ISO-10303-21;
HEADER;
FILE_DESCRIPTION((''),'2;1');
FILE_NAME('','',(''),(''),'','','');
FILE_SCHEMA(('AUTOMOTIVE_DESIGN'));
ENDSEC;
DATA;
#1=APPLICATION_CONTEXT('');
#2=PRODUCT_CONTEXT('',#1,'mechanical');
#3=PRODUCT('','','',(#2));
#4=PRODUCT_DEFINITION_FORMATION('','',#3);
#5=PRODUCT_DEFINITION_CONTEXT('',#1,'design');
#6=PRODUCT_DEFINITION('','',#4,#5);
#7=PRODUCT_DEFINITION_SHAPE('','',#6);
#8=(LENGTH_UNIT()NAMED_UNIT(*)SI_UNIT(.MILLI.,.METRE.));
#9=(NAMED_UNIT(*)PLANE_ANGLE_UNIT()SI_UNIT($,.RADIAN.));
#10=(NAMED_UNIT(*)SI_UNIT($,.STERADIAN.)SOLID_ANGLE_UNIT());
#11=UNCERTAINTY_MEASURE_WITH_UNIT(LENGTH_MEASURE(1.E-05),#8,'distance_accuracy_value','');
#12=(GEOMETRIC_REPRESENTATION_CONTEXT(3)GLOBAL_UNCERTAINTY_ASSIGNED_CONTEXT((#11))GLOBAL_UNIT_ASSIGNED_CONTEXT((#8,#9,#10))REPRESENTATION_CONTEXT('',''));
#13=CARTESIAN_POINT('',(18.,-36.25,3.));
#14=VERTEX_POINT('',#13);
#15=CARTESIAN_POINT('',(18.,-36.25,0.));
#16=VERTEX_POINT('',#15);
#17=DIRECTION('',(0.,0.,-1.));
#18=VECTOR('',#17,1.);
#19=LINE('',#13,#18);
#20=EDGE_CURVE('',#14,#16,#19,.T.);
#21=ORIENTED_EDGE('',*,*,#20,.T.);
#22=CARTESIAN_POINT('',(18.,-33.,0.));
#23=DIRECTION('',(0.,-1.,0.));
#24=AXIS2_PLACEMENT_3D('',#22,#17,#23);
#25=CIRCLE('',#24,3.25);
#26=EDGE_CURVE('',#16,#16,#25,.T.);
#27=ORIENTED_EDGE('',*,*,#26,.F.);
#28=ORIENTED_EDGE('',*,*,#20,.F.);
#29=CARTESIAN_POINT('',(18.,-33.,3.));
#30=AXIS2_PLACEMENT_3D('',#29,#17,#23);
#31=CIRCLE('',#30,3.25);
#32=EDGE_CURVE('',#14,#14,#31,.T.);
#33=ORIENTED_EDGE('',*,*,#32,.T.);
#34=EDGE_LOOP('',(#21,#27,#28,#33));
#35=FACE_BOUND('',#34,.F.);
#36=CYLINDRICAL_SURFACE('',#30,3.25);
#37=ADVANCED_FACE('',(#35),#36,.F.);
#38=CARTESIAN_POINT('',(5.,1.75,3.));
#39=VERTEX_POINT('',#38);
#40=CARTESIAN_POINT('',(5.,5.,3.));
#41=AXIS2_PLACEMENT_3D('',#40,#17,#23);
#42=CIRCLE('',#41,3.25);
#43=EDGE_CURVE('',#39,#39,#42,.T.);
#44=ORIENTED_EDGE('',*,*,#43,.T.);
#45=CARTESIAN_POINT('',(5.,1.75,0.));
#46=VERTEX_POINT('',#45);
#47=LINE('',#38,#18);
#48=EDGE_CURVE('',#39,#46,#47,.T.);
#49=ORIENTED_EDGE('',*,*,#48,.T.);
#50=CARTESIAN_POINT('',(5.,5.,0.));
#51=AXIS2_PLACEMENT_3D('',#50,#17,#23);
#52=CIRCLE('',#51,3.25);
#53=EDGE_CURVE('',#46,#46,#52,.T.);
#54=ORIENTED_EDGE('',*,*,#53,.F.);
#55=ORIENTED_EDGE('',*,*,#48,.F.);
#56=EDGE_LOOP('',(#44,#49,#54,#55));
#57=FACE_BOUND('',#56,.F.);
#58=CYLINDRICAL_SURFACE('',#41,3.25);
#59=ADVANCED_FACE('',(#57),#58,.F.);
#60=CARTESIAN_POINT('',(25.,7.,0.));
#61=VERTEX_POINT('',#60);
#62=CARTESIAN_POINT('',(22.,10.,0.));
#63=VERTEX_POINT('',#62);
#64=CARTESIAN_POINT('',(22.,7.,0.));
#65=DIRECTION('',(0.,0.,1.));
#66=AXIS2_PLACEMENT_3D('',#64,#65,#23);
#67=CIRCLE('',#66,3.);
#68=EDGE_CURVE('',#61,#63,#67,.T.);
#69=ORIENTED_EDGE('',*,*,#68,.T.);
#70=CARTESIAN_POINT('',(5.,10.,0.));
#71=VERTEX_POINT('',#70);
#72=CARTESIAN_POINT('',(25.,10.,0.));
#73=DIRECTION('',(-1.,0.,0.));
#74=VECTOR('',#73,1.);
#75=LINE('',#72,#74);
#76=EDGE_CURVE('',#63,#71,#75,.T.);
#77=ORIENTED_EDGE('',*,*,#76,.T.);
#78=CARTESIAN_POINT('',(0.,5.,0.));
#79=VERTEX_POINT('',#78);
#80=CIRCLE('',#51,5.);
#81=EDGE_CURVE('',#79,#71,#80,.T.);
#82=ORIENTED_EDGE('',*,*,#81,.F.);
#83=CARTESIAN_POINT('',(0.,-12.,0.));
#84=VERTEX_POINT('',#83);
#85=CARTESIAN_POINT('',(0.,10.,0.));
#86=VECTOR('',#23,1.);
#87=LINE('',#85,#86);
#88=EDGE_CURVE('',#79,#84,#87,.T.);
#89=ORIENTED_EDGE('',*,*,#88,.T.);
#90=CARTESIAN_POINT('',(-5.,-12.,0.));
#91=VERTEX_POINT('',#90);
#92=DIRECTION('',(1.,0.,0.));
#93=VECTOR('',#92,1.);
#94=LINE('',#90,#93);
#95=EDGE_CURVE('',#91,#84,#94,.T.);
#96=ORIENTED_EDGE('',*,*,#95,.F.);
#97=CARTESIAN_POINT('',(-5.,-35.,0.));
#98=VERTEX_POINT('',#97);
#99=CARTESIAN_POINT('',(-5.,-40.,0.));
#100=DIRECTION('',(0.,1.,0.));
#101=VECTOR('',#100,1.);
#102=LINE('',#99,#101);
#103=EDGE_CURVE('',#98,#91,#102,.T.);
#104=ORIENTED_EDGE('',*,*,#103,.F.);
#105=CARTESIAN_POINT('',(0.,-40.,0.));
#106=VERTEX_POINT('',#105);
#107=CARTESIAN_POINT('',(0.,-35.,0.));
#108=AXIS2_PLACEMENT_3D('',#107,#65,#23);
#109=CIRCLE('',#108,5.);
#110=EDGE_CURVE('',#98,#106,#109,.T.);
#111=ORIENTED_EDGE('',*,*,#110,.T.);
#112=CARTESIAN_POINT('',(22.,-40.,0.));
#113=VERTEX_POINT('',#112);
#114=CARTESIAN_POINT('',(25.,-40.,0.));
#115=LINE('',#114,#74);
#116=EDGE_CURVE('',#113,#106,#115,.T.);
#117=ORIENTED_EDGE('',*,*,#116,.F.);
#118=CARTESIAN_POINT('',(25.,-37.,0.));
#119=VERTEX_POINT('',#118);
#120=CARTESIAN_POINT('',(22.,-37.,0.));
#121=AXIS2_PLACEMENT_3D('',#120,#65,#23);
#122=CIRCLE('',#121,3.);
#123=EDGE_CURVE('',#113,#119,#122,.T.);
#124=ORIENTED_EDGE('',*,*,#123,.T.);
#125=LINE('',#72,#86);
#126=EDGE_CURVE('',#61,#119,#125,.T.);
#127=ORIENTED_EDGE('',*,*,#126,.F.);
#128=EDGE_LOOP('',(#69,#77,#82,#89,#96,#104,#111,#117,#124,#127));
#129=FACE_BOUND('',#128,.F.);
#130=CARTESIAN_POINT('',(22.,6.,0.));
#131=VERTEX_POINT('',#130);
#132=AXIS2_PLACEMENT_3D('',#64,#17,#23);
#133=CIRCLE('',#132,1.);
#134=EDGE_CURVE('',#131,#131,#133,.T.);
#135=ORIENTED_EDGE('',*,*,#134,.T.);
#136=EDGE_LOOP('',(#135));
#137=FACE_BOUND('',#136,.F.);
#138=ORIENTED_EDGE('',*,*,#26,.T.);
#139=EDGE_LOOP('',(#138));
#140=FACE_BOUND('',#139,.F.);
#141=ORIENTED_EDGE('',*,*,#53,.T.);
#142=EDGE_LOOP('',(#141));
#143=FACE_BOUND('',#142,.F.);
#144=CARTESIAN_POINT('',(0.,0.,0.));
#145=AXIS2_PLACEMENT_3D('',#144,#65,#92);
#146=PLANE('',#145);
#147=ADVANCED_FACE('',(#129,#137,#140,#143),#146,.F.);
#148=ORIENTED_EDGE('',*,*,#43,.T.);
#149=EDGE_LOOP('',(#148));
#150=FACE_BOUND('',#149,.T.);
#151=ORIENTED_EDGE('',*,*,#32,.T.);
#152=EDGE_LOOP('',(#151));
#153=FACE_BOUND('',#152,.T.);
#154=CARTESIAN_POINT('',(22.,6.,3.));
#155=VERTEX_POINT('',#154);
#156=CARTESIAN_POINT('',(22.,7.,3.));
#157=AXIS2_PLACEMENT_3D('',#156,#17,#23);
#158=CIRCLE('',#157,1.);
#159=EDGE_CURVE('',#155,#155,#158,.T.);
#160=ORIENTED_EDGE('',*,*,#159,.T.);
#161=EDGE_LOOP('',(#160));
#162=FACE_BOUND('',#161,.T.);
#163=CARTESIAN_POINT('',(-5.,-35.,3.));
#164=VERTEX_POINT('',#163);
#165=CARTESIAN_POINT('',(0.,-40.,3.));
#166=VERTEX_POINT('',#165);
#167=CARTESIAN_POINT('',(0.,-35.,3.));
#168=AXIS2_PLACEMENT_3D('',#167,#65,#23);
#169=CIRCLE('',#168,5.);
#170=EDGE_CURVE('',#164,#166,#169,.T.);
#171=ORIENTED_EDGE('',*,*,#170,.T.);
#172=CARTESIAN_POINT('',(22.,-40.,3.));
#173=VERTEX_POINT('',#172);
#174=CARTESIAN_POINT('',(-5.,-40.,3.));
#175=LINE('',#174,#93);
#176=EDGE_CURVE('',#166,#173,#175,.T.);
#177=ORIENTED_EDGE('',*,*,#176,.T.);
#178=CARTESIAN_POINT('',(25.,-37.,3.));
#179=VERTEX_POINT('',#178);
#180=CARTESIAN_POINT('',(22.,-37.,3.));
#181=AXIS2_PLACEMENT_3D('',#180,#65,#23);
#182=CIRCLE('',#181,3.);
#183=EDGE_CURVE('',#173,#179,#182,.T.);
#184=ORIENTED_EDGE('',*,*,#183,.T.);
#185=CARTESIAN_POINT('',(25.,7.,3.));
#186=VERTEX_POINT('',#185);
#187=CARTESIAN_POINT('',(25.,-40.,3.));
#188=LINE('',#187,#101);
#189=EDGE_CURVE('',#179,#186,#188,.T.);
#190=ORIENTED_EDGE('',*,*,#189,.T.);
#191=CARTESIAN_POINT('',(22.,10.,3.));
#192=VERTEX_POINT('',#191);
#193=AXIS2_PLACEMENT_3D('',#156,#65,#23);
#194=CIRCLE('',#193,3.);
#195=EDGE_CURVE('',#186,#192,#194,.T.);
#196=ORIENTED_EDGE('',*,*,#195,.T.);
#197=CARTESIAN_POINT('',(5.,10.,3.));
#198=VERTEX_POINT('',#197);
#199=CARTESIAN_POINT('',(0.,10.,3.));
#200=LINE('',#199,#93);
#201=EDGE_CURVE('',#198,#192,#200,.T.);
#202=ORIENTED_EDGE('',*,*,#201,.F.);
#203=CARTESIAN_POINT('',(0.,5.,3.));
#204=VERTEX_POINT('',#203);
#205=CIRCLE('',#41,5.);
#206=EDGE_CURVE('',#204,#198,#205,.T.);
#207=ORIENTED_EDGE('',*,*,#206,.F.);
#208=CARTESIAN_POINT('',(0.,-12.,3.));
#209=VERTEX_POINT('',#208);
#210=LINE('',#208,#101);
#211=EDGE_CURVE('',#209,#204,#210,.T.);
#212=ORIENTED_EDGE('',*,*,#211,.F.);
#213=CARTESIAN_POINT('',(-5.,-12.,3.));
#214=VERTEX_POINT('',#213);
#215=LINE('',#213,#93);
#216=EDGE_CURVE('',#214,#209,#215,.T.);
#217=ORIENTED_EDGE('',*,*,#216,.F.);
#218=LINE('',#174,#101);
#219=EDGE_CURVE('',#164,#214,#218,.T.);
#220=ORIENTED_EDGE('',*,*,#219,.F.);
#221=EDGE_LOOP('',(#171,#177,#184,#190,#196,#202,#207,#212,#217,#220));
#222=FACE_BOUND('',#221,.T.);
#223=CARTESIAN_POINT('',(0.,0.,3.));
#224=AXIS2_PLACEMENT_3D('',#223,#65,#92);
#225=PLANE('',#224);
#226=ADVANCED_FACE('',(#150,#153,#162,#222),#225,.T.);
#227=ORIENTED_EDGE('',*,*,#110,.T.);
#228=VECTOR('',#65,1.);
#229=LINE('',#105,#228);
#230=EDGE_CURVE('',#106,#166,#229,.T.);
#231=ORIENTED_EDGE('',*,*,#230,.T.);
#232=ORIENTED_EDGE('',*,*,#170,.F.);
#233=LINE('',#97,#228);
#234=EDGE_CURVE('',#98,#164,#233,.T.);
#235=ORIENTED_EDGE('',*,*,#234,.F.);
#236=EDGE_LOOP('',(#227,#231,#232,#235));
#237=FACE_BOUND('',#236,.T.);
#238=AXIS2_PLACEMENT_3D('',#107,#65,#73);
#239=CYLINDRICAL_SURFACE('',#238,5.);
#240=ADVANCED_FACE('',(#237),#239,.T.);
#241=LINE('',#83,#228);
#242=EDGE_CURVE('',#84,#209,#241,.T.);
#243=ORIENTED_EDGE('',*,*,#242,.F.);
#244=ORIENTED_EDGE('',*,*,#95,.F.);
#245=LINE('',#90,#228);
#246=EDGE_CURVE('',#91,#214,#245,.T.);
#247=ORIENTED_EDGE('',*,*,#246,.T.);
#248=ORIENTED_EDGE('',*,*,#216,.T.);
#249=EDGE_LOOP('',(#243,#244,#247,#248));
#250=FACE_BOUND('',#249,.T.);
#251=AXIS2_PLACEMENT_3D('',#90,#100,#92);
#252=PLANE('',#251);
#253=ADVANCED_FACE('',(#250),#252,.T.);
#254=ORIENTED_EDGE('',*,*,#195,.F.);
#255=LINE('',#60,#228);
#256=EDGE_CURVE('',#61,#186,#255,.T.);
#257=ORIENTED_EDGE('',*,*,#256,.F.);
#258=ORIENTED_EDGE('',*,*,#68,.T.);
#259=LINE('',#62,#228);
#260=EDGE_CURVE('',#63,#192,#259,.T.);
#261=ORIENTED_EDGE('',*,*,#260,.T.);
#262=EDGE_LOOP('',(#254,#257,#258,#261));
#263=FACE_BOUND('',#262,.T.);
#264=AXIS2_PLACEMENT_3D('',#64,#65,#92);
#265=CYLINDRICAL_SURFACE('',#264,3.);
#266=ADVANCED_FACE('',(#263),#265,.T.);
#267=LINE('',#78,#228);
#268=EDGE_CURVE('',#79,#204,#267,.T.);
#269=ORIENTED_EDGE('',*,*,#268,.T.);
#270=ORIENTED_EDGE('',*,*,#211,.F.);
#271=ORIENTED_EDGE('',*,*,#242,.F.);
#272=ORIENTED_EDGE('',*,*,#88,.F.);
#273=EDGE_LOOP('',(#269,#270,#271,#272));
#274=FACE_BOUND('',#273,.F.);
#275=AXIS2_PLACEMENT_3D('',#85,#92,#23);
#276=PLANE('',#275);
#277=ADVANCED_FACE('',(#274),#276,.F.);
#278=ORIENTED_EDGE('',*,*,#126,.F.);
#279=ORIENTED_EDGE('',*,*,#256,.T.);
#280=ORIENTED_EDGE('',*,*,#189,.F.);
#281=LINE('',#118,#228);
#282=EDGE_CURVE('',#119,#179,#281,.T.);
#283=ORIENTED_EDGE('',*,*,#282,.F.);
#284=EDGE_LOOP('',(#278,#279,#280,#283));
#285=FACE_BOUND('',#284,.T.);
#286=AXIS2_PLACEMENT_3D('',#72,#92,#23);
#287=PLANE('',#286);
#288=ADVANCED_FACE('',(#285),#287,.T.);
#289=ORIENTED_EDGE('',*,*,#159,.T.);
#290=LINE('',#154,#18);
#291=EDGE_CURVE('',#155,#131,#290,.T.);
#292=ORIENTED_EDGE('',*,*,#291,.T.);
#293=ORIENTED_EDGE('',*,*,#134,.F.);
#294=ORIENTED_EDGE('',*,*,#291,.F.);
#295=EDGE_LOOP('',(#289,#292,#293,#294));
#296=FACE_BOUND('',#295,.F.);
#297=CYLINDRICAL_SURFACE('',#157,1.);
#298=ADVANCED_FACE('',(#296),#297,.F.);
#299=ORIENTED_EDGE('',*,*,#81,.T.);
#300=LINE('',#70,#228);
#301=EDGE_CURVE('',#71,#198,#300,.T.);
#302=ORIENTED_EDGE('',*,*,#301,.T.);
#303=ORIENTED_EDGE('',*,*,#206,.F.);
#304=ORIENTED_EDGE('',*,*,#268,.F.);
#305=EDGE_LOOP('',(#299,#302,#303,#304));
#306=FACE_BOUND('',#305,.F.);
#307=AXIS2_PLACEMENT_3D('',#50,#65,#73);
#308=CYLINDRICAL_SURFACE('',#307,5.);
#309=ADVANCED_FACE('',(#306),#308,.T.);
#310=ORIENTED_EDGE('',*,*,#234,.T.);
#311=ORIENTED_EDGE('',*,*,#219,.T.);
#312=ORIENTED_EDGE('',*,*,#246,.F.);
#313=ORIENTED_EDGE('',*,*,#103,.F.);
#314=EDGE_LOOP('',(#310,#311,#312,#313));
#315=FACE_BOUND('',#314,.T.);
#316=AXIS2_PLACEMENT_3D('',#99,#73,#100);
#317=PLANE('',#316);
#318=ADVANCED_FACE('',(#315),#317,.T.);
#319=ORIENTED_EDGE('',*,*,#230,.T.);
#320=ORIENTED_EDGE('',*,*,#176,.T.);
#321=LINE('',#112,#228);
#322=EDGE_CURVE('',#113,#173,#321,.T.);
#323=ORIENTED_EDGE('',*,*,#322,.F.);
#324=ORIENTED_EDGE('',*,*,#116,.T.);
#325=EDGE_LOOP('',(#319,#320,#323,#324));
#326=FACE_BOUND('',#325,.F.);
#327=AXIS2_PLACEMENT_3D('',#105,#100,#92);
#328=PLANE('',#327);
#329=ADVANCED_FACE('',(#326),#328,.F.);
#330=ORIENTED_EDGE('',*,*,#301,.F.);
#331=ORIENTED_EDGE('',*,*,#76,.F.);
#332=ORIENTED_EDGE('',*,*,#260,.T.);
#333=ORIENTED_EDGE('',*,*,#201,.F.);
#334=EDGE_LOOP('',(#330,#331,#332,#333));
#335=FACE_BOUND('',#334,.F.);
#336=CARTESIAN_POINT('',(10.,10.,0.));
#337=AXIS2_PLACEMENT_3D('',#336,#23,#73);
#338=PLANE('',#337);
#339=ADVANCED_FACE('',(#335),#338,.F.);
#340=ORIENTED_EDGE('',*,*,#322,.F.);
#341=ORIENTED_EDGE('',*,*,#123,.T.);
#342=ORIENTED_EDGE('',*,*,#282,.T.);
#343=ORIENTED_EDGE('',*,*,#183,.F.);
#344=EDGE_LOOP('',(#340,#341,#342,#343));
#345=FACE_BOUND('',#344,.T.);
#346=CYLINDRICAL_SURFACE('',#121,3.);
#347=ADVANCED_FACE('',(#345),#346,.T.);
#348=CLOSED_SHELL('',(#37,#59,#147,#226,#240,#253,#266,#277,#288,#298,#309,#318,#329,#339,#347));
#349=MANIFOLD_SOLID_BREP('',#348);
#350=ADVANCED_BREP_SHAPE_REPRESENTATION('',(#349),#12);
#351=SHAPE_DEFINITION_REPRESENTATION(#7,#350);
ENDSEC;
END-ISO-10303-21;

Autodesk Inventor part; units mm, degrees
ref_plane "YZ Plane" through (0, 0, 0) normal (1, 0, 0) x (0, 1, 0)
ref_plane "XZ Plane" through (0, 0, 0) normal (0, 1, 0) x (-1, 0, 0)
ref_plane "XY Plane" through (0, 0, 0) normal (0, 0, 1) x (1, 0, 0)
sketch "Sketch1" plane through (0, 0, 0) normal (0, 0, 1) x (1, 0, 0)
  line L0 (0, 0) -> (10, 0)
  line L1 (10, 0) -> (10, 10)
  line L2 (10, 10) -> (0, 10)
  line L3 (0, 10) -> (0, 0)
  line L4 (10, 10) -> (25, 10)
  line L5 (25, 10) -> (25, 4)
  line L6 (25, 4) -> (10, 4)
  line L7 (10, 4) -> (10, 10)
  line L8 (10, 0) -> (0, 0)
  line L9 (0, 0) -> (0, -40)
  line L10 (0, -40) -> (10, -40)
  line L11 (10, -40) -> (10, 0)
  line L12 (0, -40) -> (-5, -40)
  line L13 (-5, -40) -> (-5, -12)
  line L14 (-5, -12) -> (0, -12)
  line L15 (0, -12) -> (0, -40)
  line L16 (10, 4) -> (25, 4)
  line L17 (25, 4) -> (25, -40)
  line L18 (25, -40) -> (10, -40)
  line L19 (10, -40) -> (10, 4)
  dimension "d0" = 10
  dimension "d2" = 15
  dimension "d3" = 6
  dimension "d5" = 28
  dimension "d6" = 5
  dimension "d7" = 10
  dimension "d30" = 22
extrude "Extrusion1" add sketch "Sketch1" along normal blind 3
fillet "Fillet1" radius 5 1 edges at (0, 10, 1.5)
fillet "Fillet2" radius 5 1 edges at (-5, -40, 1.5)
fillet "Fillet3" [suppressed]
fillet "Fillet4" [suppressed]
sketch "Sketch2" plane through (0, 0, 3) normal (0, 0, 1) x (1, 0, 0)
  line L0 (25, 10) -> (5, 10) projected
  line L1 (25, -40) -> (25, 10) projected
  point P0 (0, 0)
  point P1 (22, 7)
  dimension "d33" = 3
  dimension "d34" = 3
hole "Hole1" at (22, 7, 3) direction (0, 0, -1) diameter 2 end through all
sketch "Sketch3" plane through (0, 0, 3) normal (0, 0, 1) x (1, 0, 0)
  line L0 (25, 10) -> (5, 10) projected
  line L1 (0, 5) -> (0, -12) projected
  line L2 (25, -40) -> (25, 10) projected
  line L3 (0, -40) -> (25, -40) projected
  point P0 (0, 0)
  point P1 (5, 5)
  point P2 (22, 10)
  point P3 (18, -33)
  dimension "d20" = 5
  dimension "d31" = 5
  dimension "d36" = 7
  dimension "d37" = 7
hole "Hole2" at (5, 5, 3) at (18, -33, 3) direction (0, 0, -1) diameter 6.5 end through all
fillet "Fillet6" radius 3 2 edges at (25, -40, 1.5) (25, 10, 1.5)
sketch "Sketch4" plane through (0, 0, 3) normal (0, 0, 1) x (1, 0, 0)
  point P0 (0, 0)
properties part number "Selection_Lever 1" material "Nylon 6/6"
